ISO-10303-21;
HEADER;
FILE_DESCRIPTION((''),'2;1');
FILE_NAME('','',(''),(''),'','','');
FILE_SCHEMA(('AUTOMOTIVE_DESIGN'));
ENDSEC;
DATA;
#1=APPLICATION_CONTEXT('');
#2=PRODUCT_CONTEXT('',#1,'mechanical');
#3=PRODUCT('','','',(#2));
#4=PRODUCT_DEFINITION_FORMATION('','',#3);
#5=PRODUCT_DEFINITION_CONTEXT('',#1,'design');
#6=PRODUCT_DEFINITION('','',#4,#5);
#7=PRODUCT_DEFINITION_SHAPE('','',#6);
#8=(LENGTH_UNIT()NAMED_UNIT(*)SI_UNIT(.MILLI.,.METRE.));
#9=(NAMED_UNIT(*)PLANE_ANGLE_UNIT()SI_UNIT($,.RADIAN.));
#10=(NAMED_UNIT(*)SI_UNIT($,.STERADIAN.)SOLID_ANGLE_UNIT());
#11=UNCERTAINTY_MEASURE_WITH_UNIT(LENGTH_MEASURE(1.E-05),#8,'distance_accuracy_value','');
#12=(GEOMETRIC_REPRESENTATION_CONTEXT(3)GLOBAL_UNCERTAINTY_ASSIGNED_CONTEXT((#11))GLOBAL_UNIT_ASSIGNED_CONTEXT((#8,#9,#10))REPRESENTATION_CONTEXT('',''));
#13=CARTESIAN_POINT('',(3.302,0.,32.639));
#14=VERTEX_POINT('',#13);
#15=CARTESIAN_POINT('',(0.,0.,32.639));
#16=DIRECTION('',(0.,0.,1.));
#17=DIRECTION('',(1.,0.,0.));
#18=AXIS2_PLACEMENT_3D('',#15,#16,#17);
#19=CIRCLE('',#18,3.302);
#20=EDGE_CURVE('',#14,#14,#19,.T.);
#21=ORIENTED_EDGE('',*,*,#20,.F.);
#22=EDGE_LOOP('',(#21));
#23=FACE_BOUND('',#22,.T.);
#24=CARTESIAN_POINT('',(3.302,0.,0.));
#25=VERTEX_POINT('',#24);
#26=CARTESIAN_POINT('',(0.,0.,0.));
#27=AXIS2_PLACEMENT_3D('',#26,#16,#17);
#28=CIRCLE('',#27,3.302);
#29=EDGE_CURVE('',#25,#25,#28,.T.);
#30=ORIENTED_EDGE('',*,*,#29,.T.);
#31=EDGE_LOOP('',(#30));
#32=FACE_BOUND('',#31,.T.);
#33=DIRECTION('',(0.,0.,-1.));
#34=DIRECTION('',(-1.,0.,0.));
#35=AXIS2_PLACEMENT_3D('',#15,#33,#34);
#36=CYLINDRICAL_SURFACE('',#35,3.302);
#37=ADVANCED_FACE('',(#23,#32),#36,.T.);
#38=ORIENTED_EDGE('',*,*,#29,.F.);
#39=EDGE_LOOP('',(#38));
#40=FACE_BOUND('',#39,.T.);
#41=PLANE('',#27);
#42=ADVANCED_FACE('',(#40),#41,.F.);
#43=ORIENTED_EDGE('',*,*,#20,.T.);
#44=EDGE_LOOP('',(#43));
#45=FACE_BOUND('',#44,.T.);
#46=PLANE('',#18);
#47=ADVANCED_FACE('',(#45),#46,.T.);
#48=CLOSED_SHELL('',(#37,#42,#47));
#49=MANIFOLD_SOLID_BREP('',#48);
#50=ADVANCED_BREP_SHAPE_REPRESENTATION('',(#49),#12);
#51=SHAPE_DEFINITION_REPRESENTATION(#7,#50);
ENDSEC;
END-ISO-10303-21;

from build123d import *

# Parameters (mm, degrees)
SKETCH1_R      = 3.302
EXTRUDE1_DEPTH = 32.639


with BuildPart() as part:
    # Sketch1 → Extrude1 (new body)
    with BuildSketch(Plane.XY):
        Circle(SKETCH1_R)
    extrude(amount=EXTRUDE1_DEPTH)


solid = part.part
